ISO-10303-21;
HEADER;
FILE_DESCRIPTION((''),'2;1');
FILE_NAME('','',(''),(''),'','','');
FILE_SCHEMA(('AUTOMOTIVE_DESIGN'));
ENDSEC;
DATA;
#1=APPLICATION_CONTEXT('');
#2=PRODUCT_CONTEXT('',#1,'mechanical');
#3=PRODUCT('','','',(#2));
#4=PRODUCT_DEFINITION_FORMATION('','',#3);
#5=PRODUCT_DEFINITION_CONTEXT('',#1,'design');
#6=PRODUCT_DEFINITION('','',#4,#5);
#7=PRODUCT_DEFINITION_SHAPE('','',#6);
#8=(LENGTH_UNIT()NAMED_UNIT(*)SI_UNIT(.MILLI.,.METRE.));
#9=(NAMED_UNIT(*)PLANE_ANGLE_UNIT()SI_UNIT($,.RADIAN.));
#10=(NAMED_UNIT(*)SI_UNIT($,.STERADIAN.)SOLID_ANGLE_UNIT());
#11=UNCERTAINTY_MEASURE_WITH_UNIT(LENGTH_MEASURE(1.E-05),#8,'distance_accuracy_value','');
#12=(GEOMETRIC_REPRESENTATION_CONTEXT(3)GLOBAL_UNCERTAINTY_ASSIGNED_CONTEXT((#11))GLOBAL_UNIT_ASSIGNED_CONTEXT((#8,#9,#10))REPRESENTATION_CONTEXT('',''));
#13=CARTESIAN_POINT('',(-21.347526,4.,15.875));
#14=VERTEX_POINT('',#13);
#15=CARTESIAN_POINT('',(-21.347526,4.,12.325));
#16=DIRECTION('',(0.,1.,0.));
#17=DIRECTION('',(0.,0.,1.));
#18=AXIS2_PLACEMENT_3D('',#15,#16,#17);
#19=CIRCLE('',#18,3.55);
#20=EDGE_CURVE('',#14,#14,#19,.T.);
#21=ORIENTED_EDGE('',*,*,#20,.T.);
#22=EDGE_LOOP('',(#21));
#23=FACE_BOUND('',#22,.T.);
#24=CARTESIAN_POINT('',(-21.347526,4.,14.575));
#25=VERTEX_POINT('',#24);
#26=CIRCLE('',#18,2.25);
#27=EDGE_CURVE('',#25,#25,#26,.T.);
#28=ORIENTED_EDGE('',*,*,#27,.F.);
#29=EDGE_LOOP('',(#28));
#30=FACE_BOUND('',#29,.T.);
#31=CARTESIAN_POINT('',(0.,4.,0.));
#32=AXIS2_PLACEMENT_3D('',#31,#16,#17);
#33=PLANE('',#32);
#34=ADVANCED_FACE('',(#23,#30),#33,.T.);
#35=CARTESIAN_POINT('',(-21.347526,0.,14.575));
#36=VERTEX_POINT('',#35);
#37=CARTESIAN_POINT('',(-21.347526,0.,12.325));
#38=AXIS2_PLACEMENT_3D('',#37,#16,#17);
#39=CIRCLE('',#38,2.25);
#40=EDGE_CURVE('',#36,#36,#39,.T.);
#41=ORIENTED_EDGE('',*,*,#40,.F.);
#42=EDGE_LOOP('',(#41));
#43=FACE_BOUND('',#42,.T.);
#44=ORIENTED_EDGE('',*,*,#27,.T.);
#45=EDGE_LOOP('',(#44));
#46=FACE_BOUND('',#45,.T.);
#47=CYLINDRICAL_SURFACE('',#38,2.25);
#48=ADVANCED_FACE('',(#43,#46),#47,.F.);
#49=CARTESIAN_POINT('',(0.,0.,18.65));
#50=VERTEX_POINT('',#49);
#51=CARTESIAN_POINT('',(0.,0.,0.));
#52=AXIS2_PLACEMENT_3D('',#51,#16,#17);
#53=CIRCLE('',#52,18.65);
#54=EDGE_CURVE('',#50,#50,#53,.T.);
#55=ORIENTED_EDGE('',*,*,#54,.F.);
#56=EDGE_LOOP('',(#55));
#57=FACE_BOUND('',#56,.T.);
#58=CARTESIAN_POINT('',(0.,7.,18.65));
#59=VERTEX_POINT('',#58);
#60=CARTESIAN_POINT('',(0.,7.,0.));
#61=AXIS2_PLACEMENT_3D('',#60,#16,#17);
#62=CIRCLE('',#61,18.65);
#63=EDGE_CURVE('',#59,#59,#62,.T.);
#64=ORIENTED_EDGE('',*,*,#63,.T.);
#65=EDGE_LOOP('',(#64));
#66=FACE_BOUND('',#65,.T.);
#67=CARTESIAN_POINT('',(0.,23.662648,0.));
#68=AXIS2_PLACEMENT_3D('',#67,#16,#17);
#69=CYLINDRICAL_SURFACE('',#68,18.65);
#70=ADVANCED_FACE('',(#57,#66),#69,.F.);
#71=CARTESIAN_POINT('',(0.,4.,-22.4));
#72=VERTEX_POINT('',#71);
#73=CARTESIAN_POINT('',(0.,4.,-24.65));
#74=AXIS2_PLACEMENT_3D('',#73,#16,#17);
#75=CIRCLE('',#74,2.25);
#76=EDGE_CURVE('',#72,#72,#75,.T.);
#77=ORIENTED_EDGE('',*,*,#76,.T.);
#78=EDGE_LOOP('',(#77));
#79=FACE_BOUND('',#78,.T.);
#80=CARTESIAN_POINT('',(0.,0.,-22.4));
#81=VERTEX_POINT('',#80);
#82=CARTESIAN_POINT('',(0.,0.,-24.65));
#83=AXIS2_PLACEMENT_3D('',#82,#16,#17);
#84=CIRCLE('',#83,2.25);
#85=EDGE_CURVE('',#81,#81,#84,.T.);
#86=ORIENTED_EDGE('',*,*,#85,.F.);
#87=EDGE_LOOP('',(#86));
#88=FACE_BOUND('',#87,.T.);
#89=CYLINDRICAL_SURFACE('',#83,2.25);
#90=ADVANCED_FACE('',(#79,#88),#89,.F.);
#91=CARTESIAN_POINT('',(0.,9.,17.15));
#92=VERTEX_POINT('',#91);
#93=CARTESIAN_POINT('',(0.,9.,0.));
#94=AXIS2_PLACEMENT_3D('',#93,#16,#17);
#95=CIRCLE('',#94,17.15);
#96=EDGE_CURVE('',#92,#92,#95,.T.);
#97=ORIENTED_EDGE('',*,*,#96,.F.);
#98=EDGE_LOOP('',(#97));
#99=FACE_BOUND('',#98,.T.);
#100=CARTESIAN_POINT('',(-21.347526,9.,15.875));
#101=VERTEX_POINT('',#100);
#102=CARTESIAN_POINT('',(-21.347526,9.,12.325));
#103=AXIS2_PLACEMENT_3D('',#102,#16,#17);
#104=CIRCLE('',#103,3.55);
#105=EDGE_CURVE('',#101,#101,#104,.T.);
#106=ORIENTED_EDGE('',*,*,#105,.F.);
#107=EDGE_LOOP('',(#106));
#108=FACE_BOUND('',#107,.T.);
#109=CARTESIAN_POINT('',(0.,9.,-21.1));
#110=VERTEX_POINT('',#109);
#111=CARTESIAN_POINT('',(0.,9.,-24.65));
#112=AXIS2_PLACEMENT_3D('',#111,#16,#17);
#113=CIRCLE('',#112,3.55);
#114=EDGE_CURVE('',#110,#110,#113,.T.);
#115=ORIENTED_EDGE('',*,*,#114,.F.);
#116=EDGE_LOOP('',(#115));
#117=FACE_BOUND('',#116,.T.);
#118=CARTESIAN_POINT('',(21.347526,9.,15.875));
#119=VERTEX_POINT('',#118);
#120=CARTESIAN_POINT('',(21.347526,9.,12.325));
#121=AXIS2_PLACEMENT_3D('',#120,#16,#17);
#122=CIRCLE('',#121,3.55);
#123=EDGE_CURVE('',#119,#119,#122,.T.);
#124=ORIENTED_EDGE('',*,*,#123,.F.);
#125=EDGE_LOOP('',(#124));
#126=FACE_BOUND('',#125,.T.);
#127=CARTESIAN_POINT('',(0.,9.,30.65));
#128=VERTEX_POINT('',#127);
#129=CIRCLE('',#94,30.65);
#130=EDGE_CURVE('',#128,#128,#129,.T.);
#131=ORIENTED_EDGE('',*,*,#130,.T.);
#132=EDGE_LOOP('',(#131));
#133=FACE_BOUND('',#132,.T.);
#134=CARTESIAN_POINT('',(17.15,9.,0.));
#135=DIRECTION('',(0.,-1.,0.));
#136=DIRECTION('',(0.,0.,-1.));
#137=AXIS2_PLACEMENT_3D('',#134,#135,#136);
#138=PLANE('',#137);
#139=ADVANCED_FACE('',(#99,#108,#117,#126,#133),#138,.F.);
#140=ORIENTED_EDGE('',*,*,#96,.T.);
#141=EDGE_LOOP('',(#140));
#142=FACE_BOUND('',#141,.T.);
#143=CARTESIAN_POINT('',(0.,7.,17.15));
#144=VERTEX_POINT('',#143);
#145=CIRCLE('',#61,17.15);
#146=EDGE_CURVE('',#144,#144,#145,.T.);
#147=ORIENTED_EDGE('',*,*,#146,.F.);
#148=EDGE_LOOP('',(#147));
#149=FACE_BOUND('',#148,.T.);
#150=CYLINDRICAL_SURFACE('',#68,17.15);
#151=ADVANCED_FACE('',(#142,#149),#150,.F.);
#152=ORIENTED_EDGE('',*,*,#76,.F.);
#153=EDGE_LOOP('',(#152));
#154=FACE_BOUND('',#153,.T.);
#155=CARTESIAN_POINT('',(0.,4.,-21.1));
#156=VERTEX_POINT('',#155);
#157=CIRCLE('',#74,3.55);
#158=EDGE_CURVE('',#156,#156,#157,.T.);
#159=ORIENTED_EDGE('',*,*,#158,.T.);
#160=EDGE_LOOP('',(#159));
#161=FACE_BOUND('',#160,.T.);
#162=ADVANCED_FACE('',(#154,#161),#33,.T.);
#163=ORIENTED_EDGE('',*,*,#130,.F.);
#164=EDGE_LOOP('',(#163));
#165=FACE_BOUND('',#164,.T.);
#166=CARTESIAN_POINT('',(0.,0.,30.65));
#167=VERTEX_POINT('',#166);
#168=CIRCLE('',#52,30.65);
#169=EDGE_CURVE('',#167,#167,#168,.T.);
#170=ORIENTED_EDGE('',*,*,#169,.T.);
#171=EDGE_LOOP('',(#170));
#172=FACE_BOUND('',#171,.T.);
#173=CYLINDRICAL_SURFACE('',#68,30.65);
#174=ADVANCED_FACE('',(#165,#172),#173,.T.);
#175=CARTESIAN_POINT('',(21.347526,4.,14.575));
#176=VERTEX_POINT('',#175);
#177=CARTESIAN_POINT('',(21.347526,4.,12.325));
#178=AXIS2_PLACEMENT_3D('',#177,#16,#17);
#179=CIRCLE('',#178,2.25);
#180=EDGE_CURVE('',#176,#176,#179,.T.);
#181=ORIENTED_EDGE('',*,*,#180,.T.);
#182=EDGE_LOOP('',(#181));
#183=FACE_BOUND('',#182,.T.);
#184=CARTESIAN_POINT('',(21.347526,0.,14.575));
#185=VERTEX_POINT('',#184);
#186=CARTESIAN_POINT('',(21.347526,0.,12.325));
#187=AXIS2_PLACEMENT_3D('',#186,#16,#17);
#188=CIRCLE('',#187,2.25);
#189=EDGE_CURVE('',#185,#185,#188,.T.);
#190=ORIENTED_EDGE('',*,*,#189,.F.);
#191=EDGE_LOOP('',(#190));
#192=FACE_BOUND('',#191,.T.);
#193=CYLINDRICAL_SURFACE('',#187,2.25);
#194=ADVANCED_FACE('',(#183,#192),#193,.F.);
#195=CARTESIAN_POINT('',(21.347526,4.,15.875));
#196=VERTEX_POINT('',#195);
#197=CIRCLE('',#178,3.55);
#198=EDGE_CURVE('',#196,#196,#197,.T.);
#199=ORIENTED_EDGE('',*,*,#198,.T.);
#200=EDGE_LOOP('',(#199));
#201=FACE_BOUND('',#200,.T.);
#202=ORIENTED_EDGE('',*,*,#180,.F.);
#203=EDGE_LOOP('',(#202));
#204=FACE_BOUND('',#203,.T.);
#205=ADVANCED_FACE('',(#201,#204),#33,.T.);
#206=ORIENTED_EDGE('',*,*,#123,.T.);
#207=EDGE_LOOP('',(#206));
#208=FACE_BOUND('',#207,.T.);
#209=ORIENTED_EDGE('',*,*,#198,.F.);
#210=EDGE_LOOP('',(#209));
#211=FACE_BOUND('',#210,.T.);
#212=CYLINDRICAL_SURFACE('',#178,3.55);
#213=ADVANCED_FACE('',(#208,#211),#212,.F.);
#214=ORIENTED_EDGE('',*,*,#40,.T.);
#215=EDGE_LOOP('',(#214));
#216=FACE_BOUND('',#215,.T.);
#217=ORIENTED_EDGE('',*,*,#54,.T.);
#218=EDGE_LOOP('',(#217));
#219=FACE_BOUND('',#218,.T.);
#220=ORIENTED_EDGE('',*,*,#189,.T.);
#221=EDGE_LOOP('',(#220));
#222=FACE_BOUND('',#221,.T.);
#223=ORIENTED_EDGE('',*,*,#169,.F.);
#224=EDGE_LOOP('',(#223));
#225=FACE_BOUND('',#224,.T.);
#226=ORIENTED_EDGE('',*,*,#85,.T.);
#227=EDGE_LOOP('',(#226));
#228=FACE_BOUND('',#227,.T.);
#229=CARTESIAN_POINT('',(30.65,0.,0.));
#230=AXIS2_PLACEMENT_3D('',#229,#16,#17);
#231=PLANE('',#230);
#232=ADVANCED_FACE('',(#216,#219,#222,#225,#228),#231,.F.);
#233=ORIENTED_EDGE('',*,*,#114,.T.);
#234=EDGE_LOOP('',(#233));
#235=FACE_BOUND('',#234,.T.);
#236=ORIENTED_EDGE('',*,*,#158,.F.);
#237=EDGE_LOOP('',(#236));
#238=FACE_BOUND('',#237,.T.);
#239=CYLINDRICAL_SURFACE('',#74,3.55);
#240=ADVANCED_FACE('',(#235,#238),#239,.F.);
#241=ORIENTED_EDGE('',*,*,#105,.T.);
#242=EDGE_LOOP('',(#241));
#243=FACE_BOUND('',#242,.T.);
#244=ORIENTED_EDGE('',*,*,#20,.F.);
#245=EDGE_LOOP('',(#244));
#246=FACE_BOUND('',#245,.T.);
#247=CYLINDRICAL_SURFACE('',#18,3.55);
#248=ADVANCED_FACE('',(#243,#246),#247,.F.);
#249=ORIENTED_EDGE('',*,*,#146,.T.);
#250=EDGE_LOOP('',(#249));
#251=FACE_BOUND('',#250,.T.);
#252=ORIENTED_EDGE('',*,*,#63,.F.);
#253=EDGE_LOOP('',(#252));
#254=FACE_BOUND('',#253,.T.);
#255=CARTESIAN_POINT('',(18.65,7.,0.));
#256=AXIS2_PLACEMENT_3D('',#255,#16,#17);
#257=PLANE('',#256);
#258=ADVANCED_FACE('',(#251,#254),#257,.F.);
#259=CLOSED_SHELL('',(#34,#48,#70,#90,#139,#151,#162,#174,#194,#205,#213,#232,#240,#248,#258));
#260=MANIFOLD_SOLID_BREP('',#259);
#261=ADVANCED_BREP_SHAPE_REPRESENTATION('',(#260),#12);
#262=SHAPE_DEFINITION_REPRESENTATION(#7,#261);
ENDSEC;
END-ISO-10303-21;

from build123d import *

# Parameters (mm, degrees)
SKETCH_2_R            = 2.25
CUT_EXTRUDE_673_DEPTH = 45.270136661
SKETCH_2_3_R          = 3.55
SKETCH_2_3_R_2        = 2.25
CUT_EXTRUDE_707_DEPTH = 5


with BuildPart() as part:
    # Sketch 278 → Повернуть1 (revolve)
    with BuildSketch(Plane.XY):
        Polygon((17.15, 9), (30.65, 9), (30.65, 0), (18.65, 0), (18.65, 7), (17.15, 7), align=None)
    revolve(axis=Axis((0, 23.662648221, 0), (0, -1, 0)))

    # Эскиз2 → Cut-Extrude 673 (cut, through all)
    with BuildSketch(Plane(origin=(0, 9, 0), x_dir=(1, 0, 0), z_dir=(0, 1, 0))):
        with Locations((0, 24.65)):
            Circle(SKETCH_2_R)
        with Locations((21.347526203, -12.325)):
            Circle(SKETCH_2_R)
        with Locations((-21.347526203, -12.325)):
            Circle(SKETCH_2_R)
    extrude(amount=-CUT_EXTRUDE_673_DEPTH, mode=Mode.SUBTRACT)

    # Эскиз2<3> → Cut-Extrude 707 (cut)
    # profile 1 of 3: a face of its own
    with BuildSketch(Plane(origin=(0, 9, 0), x_dir=(1, 0, 0), z_dir=(0, 1, 0))):
        with Locations((0, 24.65)):
            Circle(SKETCH_2_3_R)
        with Locations((0, 24.65)):
            Circle(SKETCH_2_3_R_2, mode=Mode.SUBTRACT)
    # profile 2 of 3: a face of its own
    with BuildSketch(Plane(origin=(0, 9, 0), x_dir=(1, 0, 0), z_dir=(0, 1, 0))):
        with Locations((-21.347526203, -12.325)):
            Circle(SKETCH_2_3_R)
        with Locations((-21.347526203, -12.325)):
            Circle(SKETCH_2_3_R_2, mode=Mode.SUBTRACT)
    # profile 3 of 3: a face of its own
    with BuildSketch(Plane(origin=(0, 9, 0), x_dir=(1, 0, 0), z_dir=(0, 1, 0))):
        with Locations((21.347526203, -12.325)):
            Circle(SKETCH_2_3_R)
        with Locations((21.347526203, -12.325)):
            Circle(SKETCH_2_3_R_2, mode=Mode.SUBTRACT)
    extrude(amount=-CUT_EXTRUDE_707_DEPTH, mode=Mode.SUBTRACT)


solid = part.part
